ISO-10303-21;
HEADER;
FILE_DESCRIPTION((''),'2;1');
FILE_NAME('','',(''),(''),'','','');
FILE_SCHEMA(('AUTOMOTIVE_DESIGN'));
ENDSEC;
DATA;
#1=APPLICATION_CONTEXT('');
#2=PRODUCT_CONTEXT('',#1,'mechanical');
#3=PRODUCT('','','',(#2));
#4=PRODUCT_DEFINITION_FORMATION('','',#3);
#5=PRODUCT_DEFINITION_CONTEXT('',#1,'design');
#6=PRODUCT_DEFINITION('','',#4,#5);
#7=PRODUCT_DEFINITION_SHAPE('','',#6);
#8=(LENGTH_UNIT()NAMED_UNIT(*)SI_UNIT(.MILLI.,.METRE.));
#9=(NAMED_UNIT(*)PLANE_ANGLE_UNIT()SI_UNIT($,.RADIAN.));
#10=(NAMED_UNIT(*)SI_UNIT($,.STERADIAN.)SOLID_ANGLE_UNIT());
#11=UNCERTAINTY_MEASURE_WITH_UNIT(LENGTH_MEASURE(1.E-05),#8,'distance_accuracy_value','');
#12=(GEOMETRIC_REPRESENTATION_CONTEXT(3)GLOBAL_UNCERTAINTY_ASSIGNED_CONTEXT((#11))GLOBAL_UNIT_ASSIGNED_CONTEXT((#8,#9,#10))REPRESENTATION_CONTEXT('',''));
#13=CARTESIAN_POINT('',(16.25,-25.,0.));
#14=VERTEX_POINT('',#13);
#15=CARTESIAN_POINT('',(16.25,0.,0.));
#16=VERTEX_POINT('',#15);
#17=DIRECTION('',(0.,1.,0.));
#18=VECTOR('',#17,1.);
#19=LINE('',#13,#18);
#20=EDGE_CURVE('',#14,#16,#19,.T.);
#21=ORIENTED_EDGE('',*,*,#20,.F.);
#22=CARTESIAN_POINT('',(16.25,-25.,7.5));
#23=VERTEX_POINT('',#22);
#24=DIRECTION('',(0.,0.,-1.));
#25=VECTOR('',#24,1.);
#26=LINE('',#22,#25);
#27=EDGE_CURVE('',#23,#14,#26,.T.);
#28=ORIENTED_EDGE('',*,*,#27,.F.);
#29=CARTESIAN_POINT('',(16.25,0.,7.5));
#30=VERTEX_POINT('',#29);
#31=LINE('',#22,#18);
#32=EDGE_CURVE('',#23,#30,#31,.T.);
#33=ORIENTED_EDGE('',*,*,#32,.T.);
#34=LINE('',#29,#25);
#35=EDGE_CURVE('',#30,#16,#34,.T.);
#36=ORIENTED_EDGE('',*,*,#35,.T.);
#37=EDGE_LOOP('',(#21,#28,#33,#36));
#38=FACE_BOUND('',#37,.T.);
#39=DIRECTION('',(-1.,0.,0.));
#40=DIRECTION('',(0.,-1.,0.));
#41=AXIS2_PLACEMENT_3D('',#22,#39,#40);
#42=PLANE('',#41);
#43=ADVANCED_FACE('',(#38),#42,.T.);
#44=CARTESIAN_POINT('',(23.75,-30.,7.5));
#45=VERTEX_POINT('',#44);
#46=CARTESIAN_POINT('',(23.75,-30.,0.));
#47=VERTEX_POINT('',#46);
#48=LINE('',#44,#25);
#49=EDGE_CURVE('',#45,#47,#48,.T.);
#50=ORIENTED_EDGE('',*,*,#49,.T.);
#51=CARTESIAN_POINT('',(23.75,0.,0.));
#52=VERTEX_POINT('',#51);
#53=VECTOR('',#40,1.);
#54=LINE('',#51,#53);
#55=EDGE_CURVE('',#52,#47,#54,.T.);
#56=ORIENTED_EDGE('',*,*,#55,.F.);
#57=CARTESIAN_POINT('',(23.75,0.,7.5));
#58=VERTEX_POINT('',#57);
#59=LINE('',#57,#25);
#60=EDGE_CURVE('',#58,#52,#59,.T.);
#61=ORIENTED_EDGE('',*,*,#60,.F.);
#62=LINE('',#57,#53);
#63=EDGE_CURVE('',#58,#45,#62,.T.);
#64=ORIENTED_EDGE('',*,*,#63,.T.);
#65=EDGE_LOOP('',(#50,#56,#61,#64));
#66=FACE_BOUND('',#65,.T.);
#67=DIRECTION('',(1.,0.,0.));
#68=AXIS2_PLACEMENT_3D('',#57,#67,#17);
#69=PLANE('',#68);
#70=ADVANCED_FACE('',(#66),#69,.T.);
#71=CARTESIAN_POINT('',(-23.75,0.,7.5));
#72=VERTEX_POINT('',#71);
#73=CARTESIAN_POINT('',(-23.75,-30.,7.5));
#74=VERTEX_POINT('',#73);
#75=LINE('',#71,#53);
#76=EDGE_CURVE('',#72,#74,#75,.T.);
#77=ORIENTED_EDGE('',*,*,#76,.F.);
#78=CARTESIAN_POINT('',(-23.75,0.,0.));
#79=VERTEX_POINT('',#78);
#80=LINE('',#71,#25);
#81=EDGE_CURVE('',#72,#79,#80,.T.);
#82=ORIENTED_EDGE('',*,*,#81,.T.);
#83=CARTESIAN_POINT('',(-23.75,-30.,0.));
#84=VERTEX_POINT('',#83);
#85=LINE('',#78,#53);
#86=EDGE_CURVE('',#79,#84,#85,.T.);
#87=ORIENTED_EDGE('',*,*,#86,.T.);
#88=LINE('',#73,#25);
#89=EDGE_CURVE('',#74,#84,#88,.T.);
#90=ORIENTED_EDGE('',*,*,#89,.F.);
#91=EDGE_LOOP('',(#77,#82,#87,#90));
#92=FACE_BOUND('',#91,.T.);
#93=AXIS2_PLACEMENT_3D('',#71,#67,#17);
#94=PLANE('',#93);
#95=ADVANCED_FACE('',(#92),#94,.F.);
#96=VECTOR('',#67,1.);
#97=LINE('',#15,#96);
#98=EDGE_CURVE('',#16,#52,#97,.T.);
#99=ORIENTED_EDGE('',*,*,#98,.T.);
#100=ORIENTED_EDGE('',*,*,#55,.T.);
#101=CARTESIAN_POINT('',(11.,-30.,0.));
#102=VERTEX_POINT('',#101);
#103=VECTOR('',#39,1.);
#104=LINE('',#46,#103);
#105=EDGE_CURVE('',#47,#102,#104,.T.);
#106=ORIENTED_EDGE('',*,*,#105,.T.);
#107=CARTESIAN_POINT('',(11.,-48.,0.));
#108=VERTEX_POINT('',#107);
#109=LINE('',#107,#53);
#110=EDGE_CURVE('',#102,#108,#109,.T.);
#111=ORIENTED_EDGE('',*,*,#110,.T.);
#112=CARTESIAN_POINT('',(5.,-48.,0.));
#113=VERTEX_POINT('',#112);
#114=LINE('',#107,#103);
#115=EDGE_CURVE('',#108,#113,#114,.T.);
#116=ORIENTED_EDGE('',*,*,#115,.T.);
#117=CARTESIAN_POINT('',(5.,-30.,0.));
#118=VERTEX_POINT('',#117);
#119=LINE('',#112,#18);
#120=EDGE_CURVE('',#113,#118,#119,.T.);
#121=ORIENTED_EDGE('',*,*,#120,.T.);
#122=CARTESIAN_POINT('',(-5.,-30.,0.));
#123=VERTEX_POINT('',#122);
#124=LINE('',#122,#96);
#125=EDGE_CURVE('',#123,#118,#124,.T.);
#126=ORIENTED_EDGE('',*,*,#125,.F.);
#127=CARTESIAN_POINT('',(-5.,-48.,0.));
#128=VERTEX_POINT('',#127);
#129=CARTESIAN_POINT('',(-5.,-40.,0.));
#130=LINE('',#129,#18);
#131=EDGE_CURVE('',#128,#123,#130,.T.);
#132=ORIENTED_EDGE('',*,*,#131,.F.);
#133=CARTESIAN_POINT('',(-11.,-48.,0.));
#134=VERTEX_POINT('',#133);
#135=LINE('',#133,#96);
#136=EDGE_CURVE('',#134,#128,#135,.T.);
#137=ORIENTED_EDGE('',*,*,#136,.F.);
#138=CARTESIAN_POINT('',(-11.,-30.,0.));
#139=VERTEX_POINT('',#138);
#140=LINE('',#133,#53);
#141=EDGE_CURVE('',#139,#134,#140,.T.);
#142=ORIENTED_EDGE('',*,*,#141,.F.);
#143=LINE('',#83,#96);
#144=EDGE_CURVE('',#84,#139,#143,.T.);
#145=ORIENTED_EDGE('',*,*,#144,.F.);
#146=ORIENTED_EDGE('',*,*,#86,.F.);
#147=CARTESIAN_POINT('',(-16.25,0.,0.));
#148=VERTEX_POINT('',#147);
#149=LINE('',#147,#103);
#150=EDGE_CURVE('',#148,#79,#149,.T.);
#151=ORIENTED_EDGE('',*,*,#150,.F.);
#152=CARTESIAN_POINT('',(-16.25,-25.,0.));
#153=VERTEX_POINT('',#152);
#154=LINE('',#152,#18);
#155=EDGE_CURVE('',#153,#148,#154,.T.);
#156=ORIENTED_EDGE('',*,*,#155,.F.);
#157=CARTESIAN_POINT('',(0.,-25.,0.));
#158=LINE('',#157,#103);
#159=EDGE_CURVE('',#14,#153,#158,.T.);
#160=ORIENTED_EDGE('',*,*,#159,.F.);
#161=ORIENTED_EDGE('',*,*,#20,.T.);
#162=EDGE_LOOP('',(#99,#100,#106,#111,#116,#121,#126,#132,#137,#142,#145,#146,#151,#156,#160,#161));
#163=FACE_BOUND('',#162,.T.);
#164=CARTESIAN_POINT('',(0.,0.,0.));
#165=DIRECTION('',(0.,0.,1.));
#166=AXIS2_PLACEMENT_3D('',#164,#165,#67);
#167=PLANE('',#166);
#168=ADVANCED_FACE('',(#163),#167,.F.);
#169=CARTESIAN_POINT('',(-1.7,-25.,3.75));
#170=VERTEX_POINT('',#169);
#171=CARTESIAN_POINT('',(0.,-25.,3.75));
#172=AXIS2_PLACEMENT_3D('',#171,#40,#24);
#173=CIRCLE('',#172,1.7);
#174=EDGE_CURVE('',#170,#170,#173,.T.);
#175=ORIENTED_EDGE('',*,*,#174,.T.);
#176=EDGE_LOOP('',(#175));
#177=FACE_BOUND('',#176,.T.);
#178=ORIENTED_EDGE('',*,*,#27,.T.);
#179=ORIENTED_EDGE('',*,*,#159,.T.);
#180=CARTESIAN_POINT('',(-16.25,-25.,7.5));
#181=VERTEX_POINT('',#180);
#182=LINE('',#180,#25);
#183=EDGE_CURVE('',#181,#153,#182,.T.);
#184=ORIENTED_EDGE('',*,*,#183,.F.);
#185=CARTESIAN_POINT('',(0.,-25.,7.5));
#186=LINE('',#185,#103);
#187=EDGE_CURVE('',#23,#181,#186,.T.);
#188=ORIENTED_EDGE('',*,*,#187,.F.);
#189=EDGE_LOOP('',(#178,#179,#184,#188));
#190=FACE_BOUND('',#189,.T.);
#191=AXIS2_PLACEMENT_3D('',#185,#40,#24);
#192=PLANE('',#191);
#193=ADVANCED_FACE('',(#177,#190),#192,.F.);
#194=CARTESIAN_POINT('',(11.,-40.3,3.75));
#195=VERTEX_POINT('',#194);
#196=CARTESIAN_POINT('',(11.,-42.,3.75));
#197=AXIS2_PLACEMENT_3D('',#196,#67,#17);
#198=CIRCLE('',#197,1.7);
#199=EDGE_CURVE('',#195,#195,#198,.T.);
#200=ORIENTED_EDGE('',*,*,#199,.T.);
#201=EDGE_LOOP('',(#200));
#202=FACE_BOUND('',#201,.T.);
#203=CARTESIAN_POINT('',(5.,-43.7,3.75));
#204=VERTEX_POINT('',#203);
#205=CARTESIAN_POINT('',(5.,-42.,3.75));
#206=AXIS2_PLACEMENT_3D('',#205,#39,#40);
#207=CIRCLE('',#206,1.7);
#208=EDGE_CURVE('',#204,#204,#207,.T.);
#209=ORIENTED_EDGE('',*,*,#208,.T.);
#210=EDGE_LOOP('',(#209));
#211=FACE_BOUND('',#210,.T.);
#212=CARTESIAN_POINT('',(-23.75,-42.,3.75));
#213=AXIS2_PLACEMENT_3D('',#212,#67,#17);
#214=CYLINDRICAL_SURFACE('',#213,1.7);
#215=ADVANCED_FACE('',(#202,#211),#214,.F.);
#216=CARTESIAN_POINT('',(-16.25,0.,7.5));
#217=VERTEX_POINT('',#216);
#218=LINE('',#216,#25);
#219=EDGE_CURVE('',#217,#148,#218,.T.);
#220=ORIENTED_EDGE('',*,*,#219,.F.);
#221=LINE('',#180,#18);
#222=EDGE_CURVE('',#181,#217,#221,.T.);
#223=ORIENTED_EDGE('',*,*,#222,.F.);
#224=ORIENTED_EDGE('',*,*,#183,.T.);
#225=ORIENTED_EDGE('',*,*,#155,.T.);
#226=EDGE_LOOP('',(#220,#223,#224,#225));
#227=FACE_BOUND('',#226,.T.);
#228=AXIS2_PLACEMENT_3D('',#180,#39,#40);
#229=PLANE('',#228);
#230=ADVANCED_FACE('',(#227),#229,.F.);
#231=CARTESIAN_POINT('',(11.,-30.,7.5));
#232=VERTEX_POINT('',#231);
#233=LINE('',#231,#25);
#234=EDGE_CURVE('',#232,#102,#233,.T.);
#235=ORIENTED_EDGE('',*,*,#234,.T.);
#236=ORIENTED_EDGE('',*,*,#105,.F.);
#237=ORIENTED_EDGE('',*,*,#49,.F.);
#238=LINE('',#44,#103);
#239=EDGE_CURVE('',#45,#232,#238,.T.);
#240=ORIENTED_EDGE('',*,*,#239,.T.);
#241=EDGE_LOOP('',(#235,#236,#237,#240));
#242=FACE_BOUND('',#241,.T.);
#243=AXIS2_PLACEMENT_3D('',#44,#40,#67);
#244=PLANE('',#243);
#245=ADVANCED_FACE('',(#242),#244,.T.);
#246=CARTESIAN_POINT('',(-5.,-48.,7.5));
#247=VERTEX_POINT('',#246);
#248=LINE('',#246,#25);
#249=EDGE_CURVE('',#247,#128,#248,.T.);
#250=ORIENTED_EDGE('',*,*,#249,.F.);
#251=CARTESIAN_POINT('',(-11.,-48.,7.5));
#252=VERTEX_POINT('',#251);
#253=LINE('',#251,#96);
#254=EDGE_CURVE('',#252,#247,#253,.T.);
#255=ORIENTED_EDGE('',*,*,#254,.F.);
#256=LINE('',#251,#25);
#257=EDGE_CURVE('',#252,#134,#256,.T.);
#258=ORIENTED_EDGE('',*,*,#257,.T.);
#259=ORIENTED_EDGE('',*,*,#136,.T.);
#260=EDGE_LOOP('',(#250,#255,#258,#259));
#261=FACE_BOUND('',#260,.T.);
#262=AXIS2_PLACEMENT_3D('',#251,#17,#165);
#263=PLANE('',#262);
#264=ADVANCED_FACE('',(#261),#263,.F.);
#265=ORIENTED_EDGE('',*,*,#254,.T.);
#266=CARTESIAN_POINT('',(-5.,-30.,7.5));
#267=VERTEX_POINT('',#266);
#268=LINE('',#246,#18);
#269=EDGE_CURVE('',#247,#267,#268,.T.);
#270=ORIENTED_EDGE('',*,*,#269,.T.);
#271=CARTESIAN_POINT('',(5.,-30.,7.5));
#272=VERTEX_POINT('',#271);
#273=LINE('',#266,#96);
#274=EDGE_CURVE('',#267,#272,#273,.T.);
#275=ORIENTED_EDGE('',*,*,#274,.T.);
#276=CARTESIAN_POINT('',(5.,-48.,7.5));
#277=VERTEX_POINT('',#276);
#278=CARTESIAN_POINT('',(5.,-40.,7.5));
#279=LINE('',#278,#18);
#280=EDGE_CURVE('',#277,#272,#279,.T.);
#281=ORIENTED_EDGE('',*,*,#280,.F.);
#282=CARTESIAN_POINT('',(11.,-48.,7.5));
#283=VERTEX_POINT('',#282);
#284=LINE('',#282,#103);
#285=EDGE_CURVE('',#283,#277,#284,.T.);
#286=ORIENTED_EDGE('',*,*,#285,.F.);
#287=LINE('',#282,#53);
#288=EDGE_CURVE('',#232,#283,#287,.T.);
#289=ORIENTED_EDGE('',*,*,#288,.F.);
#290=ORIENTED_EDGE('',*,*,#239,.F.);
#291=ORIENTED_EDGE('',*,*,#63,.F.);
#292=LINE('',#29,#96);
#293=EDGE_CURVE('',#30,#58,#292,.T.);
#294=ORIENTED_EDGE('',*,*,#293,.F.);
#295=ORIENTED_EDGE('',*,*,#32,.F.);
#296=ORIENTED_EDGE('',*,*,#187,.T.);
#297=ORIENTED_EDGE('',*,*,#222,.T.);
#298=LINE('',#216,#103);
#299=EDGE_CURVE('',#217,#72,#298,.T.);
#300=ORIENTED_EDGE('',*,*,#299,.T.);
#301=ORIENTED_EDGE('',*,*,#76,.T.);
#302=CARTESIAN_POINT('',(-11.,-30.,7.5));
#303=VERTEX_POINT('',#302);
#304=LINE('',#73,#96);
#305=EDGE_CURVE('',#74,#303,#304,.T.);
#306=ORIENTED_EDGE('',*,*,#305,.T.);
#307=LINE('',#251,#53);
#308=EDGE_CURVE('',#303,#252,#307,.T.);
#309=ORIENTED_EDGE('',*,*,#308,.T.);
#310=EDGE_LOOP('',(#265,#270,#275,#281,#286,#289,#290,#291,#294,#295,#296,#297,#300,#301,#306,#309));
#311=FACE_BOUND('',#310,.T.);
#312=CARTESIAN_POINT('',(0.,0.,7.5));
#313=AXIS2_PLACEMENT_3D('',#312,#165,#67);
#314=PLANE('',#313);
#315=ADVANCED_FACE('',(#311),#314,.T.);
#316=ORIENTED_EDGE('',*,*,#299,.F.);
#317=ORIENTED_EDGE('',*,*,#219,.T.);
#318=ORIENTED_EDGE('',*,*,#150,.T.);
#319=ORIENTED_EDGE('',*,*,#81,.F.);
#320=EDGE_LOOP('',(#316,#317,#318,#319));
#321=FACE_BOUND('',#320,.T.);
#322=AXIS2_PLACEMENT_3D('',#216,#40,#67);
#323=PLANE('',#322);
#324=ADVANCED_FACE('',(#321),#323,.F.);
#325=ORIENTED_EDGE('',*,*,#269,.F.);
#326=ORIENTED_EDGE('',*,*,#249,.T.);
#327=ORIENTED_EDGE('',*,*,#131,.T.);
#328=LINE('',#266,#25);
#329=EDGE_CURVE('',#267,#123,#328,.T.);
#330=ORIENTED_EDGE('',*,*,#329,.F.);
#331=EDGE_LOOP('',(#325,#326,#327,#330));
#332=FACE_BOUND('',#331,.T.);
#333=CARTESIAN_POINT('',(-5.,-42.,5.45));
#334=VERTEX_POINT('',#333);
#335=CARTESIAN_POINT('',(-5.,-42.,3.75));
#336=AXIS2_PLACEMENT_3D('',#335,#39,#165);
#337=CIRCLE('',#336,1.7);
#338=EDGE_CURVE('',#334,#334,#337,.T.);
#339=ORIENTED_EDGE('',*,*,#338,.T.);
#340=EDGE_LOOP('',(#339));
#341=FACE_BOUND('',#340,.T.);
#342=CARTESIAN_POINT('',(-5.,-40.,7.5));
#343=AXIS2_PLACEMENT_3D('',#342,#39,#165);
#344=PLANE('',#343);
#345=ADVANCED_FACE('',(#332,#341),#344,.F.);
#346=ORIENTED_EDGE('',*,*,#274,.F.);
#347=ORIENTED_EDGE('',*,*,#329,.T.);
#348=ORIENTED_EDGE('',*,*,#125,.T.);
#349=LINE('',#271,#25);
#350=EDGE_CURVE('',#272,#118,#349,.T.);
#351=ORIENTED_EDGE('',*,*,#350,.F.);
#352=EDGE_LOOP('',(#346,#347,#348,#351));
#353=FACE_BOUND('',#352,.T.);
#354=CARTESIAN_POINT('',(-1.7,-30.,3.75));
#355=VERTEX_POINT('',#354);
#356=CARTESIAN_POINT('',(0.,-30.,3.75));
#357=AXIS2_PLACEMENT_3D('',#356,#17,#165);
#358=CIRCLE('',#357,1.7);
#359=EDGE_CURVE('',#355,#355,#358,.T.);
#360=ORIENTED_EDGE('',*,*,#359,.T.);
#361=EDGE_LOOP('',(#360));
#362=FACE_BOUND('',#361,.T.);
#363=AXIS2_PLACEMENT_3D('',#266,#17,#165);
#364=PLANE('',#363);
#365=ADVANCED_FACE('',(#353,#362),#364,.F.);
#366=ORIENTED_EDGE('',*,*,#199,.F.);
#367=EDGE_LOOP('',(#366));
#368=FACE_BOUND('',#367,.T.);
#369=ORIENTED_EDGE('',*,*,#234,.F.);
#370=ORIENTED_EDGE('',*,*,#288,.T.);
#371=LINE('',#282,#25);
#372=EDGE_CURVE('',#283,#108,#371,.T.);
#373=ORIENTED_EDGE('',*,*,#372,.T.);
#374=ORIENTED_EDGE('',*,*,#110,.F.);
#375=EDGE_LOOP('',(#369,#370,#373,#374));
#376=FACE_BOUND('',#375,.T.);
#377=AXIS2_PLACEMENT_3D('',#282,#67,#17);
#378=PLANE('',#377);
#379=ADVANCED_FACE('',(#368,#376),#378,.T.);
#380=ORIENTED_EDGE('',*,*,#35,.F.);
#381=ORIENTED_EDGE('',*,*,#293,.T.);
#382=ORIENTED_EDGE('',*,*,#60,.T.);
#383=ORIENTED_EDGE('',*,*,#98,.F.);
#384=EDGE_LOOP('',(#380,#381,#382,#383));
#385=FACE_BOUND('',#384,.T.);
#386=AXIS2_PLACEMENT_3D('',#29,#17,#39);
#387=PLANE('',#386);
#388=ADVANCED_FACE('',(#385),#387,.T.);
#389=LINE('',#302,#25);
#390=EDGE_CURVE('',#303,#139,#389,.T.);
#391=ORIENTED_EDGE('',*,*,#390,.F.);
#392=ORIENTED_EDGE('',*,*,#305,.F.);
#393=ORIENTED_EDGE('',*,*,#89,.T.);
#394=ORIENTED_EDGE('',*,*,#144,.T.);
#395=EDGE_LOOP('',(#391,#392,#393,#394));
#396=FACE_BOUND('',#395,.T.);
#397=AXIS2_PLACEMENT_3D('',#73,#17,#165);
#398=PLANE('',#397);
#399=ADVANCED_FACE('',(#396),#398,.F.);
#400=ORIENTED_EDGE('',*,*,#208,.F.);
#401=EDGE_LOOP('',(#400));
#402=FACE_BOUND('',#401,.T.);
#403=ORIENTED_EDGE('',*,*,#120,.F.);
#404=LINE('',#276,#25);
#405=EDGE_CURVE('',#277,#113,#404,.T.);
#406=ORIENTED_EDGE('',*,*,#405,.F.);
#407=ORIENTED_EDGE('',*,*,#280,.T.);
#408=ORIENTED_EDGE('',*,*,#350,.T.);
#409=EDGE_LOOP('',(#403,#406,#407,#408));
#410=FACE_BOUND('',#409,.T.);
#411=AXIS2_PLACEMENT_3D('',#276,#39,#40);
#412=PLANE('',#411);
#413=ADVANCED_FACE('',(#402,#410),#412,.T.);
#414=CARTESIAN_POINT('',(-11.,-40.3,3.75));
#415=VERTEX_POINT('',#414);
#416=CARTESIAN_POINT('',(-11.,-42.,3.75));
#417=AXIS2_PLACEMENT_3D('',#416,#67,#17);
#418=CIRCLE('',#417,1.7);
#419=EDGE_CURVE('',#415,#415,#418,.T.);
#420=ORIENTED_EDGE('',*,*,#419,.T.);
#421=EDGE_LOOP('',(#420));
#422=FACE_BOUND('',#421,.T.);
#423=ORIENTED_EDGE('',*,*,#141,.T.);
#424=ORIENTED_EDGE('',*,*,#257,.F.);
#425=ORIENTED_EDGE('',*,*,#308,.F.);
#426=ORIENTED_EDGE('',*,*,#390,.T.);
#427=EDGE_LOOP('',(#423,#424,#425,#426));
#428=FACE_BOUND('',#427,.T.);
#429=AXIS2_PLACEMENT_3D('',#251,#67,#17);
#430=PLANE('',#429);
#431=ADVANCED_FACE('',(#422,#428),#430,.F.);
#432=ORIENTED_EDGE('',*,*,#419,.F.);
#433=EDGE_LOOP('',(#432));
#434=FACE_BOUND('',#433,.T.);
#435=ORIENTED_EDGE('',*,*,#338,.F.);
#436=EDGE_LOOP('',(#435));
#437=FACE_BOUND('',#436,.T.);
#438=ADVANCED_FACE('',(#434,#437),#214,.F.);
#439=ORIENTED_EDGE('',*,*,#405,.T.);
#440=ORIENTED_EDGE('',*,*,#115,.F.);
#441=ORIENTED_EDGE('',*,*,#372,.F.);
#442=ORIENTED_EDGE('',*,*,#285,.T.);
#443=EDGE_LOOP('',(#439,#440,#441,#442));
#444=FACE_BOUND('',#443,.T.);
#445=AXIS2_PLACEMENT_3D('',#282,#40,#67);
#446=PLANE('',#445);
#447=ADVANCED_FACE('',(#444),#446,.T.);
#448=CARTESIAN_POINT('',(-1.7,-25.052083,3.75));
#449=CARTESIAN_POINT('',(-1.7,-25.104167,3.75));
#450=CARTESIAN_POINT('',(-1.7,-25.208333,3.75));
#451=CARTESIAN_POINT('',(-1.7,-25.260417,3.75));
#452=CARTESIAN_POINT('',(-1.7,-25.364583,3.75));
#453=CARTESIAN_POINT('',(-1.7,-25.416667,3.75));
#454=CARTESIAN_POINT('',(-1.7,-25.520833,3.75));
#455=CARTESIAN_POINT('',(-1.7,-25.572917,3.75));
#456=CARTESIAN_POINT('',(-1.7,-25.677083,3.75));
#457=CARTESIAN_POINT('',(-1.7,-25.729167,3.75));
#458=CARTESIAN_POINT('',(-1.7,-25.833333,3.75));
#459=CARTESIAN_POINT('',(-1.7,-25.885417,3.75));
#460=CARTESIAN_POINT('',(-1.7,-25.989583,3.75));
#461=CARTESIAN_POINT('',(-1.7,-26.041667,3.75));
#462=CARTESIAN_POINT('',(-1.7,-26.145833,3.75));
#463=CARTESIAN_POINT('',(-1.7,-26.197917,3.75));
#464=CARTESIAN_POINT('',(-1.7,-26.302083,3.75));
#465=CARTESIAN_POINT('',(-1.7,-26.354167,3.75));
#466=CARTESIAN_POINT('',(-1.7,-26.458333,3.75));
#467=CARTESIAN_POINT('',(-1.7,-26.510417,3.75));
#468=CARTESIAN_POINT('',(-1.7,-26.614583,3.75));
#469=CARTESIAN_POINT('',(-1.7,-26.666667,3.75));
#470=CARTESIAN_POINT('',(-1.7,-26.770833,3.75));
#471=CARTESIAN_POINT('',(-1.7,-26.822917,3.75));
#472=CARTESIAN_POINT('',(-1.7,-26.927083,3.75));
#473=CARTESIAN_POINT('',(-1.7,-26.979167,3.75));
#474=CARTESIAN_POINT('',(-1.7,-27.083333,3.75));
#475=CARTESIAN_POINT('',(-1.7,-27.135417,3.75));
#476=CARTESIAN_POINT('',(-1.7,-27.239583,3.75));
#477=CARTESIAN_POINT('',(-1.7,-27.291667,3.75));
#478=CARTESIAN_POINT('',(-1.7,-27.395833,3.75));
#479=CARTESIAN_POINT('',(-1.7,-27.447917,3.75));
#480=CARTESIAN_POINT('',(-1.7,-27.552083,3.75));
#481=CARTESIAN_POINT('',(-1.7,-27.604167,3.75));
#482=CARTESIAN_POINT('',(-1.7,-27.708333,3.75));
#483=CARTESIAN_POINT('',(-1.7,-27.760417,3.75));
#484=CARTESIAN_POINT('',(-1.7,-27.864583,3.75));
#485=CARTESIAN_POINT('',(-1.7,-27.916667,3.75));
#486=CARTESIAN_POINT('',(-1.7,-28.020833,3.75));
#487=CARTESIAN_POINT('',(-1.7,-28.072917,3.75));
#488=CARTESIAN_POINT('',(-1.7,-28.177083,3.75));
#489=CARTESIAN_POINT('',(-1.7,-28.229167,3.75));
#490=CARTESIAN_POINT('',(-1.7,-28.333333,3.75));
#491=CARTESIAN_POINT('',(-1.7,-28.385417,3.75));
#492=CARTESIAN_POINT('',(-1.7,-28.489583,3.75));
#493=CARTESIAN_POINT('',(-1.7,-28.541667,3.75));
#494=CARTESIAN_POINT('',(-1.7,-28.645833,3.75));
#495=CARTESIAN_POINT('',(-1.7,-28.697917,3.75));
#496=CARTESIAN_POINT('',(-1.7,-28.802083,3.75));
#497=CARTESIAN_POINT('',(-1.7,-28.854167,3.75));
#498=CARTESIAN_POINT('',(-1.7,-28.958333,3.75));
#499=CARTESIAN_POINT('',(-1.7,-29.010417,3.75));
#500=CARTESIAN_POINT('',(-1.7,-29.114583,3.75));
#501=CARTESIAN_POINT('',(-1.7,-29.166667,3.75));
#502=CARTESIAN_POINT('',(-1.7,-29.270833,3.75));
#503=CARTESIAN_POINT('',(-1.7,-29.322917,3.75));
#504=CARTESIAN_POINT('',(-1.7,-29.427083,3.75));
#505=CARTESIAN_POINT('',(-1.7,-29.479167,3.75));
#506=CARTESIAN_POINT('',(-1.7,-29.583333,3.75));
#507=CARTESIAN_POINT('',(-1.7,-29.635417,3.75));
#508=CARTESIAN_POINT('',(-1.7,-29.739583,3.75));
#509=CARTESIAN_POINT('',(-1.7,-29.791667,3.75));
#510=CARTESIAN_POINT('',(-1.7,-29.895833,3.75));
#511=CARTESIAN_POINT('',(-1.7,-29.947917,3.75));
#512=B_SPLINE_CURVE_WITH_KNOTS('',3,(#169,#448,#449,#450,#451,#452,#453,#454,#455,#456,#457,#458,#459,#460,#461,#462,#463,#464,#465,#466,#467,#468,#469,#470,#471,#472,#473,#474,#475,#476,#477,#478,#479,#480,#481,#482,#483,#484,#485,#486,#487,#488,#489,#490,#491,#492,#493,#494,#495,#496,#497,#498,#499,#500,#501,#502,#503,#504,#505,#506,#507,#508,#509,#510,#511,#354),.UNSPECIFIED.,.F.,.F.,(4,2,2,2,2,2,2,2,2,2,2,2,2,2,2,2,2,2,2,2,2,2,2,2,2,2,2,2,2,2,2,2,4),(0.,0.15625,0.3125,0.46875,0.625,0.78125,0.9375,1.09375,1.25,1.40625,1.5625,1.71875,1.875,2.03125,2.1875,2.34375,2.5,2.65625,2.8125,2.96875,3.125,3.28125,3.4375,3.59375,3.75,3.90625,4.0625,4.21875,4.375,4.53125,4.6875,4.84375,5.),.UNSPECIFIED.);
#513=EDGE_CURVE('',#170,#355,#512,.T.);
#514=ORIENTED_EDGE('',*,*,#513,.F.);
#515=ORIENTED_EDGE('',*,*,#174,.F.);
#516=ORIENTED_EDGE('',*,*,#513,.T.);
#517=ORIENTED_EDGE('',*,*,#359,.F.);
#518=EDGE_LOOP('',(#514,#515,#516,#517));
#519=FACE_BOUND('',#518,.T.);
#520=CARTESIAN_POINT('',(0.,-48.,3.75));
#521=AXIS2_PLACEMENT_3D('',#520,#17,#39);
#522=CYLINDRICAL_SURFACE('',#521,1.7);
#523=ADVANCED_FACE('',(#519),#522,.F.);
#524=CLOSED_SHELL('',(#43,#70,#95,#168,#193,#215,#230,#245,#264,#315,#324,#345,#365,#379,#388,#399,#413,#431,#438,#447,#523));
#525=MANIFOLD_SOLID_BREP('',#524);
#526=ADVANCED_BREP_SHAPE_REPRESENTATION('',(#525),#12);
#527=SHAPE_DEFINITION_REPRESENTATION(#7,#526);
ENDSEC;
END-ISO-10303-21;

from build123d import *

# Parameters (mm, degrees)
RESSALTO_EXTRUS_O1_DEPTH = 7.5
ESBO_O2_R                = 1.7
CORTE_EXTRUS_O1_DEPTH    = 60.731168581
ESBO_O3_R                = 1.7
CORTE_EXTRUS_O2_DEPTH    = 55.076912819


with BuildPart() as part:
    # Esboço1 → Ressalto-extrusão1 (new body)
    with BuildSketch(Plane.XY):
        Polygon((-23.75, 0), (-23.75, -30), (-11, -30), (-11, -48), (-5, -48), (-5, -40), (-5, -30), (0, -30), (0, -25), (-16.25, -25), (-16.25, 0), align=None)
    ressalto_extrus_o1 = extrude(amount=RESSALTO_EXTRUS_O1_DEPTH)

    # Espelhar1: Ressalto-extrusão1 across plane
    add(ressalto_extrus_o1.mirror(Plane(origin=(0, -30, 7.5), x_dir=(0, 0, 1), z_dir=(-1, 0, 0))))

    # Esboço2 → Corte-extrusão1 (cut, through all)
    with BuildSketch(Plane(origin=(11, 0, 0), x_dir=(0, 0, -1), z_dir=(1, 0, 0))):
        with Locations(Location((-3.75, -42, 0), (0, 0, 90))):
            Circle(ESBO_O2_R)
    extrude(amount=-CORTE_EXTRUS_O1_DEPTH, mode=Mode.SUBTRACT)

    # Esboço3 → Corte-extrusão2 (cut, through all)
    with BuildSketch(Plane(origin=(0, 0, 0), x_dir=(1, 0, 0), z_dir=(0, 1, 0))):
        with Locations(Location((0, -3.75, 0), (0, 0, 180))):
            Circle(ESBO_O3_R)
    extrude(amount=-CORTE_EXTRUS_O2_DEPTH, mode=Mode.SUBTRACT)


solid = part.part
